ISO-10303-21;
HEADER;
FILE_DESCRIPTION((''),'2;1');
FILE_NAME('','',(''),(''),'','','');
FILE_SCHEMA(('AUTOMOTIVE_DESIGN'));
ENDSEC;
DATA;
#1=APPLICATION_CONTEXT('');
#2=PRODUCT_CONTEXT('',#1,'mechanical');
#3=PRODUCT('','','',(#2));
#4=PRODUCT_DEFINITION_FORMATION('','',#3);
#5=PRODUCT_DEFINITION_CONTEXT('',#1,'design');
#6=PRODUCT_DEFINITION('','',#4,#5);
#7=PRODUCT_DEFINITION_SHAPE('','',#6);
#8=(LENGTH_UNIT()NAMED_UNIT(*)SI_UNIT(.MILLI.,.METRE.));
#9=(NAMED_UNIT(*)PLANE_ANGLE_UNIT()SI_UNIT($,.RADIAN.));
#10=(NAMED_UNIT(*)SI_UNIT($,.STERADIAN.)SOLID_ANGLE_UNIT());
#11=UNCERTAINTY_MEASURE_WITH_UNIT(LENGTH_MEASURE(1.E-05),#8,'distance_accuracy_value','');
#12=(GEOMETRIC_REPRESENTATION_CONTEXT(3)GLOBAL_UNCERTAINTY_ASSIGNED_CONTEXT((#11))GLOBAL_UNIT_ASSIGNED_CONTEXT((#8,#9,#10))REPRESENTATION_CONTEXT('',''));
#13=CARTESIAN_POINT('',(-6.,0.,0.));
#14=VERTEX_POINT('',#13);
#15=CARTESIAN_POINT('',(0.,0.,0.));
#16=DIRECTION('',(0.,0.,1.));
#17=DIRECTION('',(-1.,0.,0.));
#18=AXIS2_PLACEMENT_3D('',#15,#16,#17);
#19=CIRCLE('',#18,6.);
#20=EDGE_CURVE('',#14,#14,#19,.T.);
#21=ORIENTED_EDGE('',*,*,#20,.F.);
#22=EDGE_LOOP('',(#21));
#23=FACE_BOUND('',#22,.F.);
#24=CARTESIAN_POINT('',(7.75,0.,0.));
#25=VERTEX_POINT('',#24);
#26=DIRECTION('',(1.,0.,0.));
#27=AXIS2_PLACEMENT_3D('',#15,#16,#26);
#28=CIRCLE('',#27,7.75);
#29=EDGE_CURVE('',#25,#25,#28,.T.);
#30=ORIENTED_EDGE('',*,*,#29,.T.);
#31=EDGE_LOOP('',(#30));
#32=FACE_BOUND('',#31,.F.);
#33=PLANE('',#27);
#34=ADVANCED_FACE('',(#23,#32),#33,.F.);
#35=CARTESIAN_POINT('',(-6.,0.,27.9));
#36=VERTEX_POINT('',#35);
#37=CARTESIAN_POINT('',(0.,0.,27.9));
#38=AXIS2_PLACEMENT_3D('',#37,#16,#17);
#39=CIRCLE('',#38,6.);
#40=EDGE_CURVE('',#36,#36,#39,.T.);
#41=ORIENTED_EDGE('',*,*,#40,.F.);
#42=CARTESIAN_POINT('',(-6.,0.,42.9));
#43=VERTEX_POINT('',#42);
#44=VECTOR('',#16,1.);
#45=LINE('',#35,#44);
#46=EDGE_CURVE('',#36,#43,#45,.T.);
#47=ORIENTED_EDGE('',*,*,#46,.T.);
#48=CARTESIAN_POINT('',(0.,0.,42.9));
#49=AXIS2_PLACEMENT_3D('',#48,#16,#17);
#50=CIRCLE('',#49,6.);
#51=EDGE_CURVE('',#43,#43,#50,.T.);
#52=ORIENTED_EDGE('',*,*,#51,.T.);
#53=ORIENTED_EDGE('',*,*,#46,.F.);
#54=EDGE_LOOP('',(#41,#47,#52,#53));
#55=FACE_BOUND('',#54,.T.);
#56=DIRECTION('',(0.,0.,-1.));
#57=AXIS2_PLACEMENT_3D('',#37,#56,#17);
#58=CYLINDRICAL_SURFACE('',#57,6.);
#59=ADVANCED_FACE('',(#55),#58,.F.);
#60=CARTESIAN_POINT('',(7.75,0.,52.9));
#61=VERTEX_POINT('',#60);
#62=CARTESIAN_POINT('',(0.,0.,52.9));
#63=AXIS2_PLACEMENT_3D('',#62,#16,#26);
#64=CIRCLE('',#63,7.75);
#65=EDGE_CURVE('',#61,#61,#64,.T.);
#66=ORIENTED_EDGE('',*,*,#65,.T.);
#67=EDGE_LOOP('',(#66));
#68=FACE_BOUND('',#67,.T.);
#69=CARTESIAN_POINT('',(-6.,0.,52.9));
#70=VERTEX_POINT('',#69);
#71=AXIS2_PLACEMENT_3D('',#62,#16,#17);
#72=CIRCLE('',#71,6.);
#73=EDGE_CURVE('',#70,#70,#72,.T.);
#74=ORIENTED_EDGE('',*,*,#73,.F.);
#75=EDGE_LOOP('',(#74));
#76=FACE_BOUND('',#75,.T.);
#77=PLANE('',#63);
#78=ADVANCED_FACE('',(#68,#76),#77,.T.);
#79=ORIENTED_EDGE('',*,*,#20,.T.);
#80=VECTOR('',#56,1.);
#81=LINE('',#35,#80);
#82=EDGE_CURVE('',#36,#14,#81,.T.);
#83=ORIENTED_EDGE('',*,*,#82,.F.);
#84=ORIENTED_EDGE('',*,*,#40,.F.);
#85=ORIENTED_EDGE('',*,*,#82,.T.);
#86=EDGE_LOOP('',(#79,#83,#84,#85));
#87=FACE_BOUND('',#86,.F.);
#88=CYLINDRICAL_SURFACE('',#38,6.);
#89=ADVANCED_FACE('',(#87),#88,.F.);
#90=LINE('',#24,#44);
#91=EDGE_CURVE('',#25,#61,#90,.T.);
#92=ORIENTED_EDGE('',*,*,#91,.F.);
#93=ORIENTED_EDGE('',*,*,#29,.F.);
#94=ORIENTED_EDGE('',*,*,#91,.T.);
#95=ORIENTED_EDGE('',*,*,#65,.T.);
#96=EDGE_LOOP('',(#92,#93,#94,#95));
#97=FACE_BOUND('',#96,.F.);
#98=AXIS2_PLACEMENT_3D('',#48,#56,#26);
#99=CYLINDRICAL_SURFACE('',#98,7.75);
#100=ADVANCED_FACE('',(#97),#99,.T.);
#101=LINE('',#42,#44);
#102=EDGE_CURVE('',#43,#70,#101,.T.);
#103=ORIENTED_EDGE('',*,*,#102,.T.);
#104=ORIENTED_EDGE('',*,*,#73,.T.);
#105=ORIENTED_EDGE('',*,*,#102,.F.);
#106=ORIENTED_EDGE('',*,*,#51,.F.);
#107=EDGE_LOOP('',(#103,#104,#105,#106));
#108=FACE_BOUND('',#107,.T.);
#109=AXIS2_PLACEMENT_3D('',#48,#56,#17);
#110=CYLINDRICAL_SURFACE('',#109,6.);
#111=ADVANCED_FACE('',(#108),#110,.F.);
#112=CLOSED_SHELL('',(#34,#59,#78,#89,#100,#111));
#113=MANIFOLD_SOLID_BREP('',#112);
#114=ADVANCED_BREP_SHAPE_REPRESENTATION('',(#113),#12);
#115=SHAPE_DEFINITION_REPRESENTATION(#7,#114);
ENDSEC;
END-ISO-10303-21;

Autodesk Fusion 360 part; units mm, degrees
sketch "Sketch1" plane through (0, 0, 0) normal (0, 0, 1) x (1, 0, 0)
  circle A0 centre (0, 0) radius 7.75
  dimension "d1" = 15.5
extrude "Extrude1" add sketch "Sketch1" along normal blind 27.9
sketch "Sketch2" plane through (0, 0, 27.9) normal (0, 0, 1) x (-1, 0, 0)
  circle A0 centre (0, 0) radius 7.75
  circle A1 centre (0, 0) radius 6
  dimension "d4" = 12
extrude "Extrude2" cut sketch "Sketch2" against normal blind 30 contours A1
extrude "Extrude3" add 1 faces at (7.1155, -0.6831, 27.9) along direction (0, 0, 1) blind 15
extrude "Extrude4" add 1 faces at (7.1155, -0.6831, 42.9) along direction (0, 0, 1) blind 10
